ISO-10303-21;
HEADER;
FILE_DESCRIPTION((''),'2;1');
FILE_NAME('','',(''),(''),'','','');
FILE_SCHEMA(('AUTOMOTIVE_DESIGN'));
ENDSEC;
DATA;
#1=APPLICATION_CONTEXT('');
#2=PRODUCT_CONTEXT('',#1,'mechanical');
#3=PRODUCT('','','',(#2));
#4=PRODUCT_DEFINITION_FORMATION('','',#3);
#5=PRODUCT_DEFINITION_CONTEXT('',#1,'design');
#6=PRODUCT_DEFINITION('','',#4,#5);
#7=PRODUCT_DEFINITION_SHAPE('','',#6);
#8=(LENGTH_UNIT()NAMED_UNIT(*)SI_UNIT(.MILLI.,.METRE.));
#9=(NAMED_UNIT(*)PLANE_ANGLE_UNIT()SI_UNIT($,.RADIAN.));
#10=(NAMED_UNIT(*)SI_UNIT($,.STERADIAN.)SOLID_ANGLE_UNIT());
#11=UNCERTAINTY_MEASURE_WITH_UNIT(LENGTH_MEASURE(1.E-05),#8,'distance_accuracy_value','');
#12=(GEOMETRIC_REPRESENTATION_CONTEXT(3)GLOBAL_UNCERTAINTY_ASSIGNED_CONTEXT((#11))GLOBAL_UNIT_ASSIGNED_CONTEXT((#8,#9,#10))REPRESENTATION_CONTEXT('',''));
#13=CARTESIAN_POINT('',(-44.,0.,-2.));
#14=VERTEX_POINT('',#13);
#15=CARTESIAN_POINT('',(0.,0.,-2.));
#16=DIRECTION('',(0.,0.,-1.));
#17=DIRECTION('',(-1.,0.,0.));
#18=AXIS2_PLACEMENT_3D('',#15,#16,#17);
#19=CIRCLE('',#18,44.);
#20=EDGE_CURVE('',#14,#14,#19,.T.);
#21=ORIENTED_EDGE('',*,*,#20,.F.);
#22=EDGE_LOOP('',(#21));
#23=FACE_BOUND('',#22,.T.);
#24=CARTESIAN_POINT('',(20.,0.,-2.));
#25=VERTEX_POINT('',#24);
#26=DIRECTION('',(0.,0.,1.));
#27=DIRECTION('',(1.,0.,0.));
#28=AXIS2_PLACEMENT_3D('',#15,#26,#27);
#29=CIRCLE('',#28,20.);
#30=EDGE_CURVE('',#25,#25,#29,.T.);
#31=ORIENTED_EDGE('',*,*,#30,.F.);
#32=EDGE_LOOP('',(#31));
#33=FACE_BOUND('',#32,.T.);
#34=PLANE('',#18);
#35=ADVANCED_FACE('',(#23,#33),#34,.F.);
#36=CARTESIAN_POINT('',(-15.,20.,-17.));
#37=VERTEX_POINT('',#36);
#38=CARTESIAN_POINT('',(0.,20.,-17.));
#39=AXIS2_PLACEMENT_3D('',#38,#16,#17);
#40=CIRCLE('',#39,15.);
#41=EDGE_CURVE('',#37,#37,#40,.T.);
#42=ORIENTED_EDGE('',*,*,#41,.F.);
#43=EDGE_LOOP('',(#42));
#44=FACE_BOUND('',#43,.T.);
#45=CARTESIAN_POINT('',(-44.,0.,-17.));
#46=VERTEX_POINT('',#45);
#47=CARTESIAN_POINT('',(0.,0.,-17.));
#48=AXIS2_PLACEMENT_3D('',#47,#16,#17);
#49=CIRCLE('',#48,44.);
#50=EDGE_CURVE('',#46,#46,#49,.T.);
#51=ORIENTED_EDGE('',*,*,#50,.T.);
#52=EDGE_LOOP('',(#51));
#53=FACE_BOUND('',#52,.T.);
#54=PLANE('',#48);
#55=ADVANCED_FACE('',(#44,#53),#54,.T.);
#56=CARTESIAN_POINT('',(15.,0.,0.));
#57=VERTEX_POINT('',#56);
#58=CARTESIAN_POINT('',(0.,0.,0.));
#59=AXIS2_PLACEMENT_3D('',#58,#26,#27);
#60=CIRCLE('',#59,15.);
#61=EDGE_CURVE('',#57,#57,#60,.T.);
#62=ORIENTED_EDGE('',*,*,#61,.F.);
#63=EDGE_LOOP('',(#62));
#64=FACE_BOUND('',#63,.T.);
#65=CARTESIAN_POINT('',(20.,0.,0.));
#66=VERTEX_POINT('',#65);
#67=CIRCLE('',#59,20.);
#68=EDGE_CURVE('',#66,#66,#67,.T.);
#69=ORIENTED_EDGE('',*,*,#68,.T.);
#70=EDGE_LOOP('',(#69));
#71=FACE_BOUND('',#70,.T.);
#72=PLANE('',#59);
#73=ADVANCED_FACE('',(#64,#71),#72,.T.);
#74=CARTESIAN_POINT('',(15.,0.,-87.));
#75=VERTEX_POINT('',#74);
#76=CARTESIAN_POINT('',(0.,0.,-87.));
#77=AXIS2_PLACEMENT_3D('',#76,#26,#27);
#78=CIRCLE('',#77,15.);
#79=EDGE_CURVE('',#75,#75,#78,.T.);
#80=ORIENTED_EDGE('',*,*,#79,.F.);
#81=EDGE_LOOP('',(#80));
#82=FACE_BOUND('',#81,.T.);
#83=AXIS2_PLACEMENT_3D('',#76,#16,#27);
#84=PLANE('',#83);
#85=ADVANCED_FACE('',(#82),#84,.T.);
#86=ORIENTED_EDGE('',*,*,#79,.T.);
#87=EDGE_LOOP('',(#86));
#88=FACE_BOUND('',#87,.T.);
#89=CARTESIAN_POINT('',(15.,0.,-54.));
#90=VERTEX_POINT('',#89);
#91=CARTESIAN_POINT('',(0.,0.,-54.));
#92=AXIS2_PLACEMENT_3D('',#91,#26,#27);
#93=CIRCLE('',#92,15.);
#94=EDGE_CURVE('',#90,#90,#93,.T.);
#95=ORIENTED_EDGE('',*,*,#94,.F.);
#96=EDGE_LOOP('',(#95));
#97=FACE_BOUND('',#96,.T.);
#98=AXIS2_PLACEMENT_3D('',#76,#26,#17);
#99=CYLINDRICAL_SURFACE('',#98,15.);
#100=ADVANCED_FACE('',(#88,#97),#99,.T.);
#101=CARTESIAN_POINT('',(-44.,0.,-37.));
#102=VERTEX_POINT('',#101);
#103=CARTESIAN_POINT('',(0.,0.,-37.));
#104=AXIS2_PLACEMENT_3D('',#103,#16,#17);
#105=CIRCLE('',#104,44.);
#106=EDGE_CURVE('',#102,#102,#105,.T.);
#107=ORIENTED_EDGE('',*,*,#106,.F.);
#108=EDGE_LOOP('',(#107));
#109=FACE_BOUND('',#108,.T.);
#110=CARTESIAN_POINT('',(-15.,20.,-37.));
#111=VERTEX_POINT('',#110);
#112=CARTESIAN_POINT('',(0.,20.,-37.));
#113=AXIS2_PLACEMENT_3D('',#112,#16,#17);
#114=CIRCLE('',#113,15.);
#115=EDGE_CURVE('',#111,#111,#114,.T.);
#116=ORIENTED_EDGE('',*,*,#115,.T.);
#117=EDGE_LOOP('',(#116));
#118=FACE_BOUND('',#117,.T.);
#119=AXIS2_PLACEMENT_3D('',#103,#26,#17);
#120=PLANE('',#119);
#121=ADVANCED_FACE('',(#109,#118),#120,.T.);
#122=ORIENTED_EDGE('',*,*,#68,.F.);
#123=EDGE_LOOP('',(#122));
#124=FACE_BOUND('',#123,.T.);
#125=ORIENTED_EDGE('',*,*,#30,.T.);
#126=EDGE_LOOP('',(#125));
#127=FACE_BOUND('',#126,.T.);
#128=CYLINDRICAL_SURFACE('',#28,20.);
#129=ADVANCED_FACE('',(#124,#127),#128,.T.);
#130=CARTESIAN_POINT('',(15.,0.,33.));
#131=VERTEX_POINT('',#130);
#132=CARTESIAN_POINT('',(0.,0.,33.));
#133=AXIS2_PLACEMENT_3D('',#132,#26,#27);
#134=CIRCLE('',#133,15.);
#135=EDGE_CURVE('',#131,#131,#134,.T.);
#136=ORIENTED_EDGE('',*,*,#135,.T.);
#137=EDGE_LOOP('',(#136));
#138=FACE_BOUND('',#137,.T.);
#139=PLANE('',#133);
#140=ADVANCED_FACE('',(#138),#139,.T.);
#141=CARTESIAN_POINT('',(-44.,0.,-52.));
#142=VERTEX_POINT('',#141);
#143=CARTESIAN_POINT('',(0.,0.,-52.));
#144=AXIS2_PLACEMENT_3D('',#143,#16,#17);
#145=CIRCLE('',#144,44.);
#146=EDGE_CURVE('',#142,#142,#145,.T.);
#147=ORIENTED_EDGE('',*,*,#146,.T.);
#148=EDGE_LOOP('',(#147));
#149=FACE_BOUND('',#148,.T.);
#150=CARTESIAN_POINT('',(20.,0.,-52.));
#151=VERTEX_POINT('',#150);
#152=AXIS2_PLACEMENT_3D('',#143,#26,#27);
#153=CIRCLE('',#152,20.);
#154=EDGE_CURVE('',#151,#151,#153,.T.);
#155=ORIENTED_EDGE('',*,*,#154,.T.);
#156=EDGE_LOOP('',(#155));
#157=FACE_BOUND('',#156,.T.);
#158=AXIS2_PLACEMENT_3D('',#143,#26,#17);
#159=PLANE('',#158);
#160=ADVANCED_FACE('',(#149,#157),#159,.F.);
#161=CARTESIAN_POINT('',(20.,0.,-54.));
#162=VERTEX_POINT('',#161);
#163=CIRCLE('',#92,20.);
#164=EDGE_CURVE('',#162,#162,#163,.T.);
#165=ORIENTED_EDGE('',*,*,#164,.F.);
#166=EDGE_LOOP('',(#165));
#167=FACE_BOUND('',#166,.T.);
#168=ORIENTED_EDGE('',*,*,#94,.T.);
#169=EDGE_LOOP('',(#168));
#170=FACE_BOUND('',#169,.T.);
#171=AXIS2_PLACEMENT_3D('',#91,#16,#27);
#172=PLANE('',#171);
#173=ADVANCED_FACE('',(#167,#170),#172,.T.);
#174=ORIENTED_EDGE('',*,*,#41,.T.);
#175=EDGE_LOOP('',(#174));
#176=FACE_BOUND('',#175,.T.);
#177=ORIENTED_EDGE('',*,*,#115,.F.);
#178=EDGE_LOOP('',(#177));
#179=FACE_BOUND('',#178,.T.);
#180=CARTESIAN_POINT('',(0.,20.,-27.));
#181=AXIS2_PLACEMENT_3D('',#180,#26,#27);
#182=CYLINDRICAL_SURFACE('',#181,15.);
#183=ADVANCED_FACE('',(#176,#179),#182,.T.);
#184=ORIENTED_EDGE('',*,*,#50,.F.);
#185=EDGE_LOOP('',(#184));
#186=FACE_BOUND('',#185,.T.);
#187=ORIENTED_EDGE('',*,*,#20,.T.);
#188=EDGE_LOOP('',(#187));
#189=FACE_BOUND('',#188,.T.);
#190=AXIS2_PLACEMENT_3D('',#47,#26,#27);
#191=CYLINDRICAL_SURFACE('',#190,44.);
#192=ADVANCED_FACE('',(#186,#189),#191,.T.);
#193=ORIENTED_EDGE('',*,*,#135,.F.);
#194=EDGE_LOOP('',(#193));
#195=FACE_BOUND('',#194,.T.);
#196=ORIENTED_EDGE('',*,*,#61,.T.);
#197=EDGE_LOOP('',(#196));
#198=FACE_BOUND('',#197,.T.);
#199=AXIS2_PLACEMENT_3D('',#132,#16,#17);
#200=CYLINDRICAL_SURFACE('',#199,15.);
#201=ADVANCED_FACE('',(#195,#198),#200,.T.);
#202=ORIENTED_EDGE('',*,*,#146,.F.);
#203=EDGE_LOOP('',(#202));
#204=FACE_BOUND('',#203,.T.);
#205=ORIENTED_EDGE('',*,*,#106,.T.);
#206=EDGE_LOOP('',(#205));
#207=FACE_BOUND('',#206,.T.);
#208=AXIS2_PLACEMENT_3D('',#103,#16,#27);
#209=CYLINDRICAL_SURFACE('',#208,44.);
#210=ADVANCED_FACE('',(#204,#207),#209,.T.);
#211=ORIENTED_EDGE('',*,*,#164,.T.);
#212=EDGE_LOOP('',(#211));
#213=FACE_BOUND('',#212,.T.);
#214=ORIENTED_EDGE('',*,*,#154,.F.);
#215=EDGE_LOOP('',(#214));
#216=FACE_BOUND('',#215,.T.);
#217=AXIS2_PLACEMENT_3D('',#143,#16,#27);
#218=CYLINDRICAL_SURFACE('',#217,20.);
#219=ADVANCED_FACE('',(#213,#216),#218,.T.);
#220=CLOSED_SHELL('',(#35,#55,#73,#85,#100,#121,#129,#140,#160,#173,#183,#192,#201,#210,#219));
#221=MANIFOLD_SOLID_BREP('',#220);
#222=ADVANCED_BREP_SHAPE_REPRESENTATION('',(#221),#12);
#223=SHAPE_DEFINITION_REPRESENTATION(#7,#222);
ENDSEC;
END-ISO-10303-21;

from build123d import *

# Parameters (mm, degrees)
SZKIC1_R                    = 15
DODANIE_WYCI_GNI_CIE1_DEPTH = 33
SZKIC2_R                    = 20
DODANIE_WYCI_GNI_CIE2_DEPTH = 2
SZKIC3_R                    = 44
DODANIE_WYCI_GNI_CIE3_DEPTH = 15
SZKIC4_R                    = 15
DODANIE_WYCI_GNI_CIE4_DEPTH = 10


with BuildPart() as part:
    # Szkic1 → Dodanie-wyciągnięcie1 (new body)
    with BuildSketch(Plane.XY):
        Circle(SZKIC1_R)
    extrude(amount=DODANIE_WYCI_GNI_CIE1_DEPTH)

    # Szkic2 → Dodanie-wyciągnięcie2 (add)
    with BuildSketch(Plane.XY):
        Circle(SZKIC2_R)
    extrude(amount=-DODANIE_WYCI_GNI_CIE2_DEPTH)

    # Szkic3 → Dodanie-wyciągnięcie3 (add)
    with BuildSketch(Plane(origin=(0, 0, -2), x_dir=(-1, 0, 0), z_dir=(0, 0, -1))):
        Circle(SZKIC3_R)
    extrude(amount=DODANIE_WYCI_GNI_CIE3_DEPTH)

    # Szkic4 → Dodanie-wyciągnięcie4 (add)
    with BuildSketch(Plane(origin=(0, 0, -17), x_dir=(-1, 0, 0), z_dir=(0, 0, -1))):
        with Locations((0, 20)):
            Circle(SZKIC4_R)
    extrude(amount=DODANIE_WYCI_GNI_CIE4_DEPTH)

    # Lustro2: part across plane


with BuildPart() as part_1:
    add(part.part)
    add(part.part.mirror(Plane(origin=(0, 20, -27), x_dir=(1, 0, 0), z_dir=(0, 0, -1))))


solid = part_1.part
